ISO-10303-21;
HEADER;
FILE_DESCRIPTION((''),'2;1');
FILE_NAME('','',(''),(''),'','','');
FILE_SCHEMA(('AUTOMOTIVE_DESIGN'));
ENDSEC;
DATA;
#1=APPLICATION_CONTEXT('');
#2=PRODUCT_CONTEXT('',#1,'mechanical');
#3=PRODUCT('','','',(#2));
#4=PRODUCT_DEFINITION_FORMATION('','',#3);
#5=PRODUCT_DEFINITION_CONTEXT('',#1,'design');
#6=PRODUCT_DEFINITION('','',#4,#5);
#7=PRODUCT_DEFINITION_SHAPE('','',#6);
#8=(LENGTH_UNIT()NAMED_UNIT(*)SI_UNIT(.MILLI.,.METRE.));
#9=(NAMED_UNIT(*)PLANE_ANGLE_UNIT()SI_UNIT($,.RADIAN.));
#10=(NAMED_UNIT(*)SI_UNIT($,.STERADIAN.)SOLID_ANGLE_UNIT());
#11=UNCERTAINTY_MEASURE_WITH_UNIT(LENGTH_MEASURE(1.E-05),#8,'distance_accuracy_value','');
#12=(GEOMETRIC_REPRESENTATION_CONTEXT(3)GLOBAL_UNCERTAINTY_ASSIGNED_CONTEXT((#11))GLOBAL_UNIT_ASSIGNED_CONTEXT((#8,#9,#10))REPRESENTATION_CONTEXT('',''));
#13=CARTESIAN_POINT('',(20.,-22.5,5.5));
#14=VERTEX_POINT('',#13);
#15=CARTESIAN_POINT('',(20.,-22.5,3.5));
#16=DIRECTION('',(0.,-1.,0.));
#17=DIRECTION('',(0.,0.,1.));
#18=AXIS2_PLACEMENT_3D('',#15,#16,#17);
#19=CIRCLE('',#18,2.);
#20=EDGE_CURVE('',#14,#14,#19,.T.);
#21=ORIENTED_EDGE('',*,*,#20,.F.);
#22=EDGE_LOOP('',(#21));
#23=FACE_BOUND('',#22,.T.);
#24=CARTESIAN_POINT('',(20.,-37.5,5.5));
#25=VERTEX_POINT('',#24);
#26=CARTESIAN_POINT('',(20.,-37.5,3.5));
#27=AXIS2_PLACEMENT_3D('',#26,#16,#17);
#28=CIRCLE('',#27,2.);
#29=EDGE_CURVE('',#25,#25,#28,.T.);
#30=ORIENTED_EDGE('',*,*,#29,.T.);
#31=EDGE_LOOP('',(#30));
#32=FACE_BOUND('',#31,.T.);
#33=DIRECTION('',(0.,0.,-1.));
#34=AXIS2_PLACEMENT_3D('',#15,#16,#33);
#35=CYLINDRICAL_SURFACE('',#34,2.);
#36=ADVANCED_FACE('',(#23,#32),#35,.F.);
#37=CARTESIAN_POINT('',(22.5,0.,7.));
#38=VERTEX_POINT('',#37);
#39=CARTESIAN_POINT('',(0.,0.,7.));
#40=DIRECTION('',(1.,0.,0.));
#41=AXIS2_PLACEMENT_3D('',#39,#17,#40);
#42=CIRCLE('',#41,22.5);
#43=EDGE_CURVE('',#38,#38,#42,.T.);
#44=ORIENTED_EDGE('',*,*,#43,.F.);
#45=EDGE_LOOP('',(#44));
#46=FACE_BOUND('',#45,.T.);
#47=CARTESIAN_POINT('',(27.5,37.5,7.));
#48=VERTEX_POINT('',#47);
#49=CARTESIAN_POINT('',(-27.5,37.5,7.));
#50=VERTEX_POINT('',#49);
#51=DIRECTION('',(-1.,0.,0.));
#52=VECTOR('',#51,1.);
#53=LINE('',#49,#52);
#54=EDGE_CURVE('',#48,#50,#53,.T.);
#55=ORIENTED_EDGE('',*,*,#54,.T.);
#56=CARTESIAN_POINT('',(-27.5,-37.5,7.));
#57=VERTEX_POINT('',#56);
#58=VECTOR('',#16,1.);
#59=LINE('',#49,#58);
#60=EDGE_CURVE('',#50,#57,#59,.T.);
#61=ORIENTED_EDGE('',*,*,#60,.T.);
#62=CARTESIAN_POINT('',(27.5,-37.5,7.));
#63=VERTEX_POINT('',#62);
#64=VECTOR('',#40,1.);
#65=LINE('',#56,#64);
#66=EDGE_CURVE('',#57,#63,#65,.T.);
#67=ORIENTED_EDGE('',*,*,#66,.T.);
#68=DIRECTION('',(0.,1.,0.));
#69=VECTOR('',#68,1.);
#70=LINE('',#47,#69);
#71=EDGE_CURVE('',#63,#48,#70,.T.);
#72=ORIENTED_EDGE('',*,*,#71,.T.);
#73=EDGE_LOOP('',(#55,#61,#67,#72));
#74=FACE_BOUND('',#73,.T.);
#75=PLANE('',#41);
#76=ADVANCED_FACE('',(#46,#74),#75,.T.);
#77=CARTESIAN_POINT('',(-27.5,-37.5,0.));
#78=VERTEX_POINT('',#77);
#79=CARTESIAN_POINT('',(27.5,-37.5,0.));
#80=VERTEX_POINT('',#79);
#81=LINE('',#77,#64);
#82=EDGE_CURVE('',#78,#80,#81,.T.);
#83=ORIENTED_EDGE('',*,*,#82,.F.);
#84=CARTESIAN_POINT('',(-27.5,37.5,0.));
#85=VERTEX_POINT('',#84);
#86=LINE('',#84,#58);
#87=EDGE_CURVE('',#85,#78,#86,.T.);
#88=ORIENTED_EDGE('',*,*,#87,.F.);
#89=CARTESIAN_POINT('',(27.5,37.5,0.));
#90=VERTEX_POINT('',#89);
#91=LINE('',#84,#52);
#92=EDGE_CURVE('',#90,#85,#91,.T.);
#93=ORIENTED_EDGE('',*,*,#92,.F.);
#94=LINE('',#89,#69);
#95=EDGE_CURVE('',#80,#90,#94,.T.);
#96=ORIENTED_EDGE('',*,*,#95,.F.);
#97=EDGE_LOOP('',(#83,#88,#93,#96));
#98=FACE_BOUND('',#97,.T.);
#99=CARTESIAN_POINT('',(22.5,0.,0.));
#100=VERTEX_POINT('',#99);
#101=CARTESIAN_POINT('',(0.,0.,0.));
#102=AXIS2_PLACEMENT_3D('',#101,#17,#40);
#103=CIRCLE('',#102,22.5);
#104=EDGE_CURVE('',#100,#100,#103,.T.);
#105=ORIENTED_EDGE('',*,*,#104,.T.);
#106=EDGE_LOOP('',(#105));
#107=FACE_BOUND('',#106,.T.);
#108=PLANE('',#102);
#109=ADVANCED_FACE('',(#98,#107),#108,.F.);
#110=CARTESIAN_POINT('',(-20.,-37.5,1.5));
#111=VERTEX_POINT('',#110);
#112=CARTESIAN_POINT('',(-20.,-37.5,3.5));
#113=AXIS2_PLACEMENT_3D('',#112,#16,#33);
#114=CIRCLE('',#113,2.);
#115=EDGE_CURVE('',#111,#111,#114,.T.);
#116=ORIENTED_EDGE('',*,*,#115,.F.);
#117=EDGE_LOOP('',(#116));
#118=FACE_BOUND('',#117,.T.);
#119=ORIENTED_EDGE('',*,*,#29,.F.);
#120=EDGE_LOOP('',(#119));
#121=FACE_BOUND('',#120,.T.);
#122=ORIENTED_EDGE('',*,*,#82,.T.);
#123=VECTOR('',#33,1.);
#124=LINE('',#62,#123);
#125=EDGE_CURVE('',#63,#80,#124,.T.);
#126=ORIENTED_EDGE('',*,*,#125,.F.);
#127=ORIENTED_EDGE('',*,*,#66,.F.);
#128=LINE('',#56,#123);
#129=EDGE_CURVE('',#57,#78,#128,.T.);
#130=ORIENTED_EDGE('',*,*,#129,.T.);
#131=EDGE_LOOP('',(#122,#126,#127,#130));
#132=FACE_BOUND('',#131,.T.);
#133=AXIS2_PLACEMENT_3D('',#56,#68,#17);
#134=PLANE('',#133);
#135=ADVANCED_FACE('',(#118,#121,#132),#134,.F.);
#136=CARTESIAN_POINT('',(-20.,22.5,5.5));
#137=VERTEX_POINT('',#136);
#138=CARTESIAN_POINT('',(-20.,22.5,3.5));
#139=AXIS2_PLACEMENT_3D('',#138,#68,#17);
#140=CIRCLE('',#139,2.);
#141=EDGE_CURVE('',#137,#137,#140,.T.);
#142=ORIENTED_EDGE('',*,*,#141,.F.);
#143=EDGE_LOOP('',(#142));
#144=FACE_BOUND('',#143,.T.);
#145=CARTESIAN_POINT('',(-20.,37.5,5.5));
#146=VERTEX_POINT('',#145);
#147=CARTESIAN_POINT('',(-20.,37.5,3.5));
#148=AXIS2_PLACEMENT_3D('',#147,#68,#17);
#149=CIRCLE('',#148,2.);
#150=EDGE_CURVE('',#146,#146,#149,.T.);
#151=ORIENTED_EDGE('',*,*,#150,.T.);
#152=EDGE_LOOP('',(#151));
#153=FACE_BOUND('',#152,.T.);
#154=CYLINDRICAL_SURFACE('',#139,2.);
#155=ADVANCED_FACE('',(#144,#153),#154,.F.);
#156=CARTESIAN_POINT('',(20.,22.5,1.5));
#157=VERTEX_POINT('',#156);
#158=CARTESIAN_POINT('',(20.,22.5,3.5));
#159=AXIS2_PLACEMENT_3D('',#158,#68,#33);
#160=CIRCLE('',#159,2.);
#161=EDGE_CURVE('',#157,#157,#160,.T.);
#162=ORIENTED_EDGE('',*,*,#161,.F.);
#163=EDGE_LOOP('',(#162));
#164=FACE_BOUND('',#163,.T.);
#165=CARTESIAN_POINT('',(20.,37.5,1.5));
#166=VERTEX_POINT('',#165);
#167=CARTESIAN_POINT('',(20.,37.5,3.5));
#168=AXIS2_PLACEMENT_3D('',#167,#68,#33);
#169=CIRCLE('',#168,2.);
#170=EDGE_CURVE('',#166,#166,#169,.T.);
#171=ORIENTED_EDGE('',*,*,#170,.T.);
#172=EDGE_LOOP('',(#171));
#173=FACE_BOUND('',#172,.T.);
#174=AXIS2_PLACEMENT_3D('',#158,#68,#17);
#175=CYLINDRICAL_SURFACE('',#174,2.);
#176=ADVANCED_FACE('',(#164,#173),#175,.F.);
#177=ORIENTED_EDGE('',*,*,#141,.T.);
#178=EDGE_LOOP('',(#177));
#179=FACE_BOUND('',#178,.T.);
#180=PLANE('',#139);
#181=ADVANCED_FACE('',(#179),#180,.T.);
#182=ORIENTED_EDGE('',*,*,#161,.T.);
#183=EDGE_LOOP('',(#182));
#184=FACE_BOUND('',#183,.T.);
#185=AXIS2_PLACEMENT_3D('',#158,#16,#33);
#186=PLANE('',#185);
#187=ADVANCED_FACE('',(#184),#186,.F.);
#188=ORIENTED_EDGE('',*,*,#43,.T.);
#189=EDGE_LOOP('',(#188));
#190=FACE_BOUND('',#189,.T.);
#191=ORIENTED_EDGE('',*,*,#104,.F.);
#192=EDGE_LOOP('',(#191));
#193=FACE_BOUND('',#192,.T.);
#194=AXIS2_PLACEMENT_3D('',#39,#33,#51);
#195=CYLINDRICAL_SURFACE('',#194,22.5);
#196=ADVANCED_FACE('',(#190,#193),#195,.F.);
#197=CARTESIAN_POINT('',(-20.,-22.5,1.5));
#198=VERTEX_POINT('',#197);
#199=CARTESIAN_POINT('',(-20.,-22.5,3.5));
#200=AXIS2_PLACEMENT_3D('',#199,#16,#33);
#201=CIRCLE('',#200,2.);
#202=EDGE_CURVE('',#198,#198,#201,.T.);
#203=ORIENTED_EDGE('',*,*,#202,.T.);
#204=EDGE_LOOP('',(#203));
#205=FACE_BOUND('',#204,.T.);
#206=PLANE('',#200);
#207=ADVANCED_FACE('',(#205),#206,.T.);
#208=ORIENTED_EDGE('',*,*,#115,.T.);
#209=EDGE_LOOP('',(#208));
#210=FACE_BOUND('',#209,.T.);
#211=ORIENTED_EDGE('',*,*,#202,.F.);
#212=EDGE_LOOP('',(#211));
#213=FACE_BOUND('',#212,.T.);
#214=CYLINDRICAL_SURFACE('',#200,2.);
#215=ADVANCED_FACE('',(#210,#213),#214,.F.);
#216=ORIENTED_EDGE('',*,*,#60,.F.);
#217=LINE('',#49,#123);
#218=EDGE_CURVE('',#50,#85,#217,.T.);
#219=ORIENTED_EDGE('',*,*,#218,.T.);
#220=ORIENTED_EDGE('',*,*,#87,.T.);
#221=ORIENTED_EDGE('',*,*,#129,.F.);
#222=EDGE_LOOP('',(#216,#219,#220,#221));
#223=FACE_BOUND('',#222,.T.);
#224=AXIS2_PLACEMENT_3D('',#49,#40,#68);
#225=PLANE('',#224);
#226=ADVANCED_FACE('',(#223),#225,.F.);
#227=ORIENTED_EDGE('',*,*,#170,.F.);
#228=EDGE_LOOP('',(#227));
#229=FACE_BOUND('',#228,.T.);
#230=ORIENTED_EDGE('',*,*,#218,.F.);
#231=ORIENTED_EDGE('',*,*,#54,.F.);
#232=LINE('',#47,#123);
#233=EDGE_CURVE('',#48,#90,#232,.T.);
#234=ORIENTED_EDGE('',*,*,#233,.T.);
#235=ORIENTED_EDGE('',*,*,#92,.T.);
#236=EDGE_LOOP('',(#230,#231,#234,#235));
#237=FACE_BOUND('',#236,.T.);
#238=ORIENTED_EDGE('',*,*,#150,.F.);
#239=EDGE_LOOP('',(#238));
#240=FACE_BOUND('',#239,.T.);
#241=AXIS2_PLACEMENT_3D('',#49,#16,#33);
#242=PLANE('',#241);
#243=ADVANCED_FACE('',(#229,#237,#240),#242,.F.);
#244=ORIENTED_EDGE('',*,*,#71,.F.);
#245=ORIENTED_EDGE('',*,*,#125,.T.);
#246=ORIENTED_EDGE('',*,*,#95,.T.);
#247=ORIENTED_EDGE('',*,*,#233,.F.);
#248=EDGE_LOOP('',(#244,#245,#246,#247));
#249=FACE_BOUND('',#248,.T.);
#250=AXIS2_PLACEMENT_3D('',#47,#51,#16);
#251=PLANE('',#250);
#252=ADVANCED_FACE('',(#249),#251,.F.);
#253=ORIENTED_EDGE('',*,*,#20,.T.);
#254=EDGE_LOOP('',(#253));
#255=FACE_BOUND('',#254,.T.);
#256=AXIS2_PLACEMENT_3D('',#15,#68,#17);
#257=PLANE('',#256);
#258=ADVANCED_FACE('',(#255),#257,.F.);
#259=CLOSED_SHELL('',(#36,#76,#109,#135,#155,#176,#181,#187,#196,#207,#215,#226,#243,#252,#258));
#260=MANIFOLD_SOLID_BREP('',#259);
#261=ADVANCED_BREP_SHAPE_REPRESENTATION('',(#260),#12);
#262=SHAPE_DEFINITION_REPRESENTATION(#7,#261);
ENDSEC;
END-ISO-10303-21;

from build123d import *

# Parameters (mm, degrees)
SKETCH1_W           = 55
SKETCH1_H           = 75
SKETCH1_R           = 22.5
BOSS_EXTRUDE1_DEPTH = 7
SKETCH2_R           = 2
CUT_EXTRUDE1_DEPTH  = 15
SKETCH3_R           = 2
CUT_EXTRUDE2_DEPTH  = 15


with BuildPart() as part:
    # Sketch1 → Boss-Extrude1 (new body)
    with BuildSketch(Plane.XY):
        Rectangle(SKETCH1_W, SKETCH1_H)
        Circle(SKETCH1_R, mode=Mode.SUBTRACT)
    extrude(amount=BOSS_EXTRUDE1_DEPTH)

    # Sketch2 → Cut-Extrude1 (cut)
    with BuildSketch(Plane(origin=(0, 37.5, 0), x_dir=(1, 0, 0), z_dir=(0, 1, 0))):
        with Locations((-20, -3.5)):
            Circle(SKETCH2_R)
        with Locations((20, -3.5)):
            Circle(SKETCH2_R)
    extrude(amount=-CUT_EXTRUDE1_DEPTH, mode=Mode.SUBTRACT)

    # Sketch3 → Cut-Extrude2 (cut)
    with BuildSketch(Plane.XZ.offset(37.5)):
        with Locations((-20, 3.5)):
            Circle(SKETCH3_R)
        with Locations((20, 3.5)):
            Circle(SKETCH3_R)
    extrude(amount=-CUT_EXTRUDE2_DEPTH, mode=Mode.SUBTRACT)


solid = part.part
